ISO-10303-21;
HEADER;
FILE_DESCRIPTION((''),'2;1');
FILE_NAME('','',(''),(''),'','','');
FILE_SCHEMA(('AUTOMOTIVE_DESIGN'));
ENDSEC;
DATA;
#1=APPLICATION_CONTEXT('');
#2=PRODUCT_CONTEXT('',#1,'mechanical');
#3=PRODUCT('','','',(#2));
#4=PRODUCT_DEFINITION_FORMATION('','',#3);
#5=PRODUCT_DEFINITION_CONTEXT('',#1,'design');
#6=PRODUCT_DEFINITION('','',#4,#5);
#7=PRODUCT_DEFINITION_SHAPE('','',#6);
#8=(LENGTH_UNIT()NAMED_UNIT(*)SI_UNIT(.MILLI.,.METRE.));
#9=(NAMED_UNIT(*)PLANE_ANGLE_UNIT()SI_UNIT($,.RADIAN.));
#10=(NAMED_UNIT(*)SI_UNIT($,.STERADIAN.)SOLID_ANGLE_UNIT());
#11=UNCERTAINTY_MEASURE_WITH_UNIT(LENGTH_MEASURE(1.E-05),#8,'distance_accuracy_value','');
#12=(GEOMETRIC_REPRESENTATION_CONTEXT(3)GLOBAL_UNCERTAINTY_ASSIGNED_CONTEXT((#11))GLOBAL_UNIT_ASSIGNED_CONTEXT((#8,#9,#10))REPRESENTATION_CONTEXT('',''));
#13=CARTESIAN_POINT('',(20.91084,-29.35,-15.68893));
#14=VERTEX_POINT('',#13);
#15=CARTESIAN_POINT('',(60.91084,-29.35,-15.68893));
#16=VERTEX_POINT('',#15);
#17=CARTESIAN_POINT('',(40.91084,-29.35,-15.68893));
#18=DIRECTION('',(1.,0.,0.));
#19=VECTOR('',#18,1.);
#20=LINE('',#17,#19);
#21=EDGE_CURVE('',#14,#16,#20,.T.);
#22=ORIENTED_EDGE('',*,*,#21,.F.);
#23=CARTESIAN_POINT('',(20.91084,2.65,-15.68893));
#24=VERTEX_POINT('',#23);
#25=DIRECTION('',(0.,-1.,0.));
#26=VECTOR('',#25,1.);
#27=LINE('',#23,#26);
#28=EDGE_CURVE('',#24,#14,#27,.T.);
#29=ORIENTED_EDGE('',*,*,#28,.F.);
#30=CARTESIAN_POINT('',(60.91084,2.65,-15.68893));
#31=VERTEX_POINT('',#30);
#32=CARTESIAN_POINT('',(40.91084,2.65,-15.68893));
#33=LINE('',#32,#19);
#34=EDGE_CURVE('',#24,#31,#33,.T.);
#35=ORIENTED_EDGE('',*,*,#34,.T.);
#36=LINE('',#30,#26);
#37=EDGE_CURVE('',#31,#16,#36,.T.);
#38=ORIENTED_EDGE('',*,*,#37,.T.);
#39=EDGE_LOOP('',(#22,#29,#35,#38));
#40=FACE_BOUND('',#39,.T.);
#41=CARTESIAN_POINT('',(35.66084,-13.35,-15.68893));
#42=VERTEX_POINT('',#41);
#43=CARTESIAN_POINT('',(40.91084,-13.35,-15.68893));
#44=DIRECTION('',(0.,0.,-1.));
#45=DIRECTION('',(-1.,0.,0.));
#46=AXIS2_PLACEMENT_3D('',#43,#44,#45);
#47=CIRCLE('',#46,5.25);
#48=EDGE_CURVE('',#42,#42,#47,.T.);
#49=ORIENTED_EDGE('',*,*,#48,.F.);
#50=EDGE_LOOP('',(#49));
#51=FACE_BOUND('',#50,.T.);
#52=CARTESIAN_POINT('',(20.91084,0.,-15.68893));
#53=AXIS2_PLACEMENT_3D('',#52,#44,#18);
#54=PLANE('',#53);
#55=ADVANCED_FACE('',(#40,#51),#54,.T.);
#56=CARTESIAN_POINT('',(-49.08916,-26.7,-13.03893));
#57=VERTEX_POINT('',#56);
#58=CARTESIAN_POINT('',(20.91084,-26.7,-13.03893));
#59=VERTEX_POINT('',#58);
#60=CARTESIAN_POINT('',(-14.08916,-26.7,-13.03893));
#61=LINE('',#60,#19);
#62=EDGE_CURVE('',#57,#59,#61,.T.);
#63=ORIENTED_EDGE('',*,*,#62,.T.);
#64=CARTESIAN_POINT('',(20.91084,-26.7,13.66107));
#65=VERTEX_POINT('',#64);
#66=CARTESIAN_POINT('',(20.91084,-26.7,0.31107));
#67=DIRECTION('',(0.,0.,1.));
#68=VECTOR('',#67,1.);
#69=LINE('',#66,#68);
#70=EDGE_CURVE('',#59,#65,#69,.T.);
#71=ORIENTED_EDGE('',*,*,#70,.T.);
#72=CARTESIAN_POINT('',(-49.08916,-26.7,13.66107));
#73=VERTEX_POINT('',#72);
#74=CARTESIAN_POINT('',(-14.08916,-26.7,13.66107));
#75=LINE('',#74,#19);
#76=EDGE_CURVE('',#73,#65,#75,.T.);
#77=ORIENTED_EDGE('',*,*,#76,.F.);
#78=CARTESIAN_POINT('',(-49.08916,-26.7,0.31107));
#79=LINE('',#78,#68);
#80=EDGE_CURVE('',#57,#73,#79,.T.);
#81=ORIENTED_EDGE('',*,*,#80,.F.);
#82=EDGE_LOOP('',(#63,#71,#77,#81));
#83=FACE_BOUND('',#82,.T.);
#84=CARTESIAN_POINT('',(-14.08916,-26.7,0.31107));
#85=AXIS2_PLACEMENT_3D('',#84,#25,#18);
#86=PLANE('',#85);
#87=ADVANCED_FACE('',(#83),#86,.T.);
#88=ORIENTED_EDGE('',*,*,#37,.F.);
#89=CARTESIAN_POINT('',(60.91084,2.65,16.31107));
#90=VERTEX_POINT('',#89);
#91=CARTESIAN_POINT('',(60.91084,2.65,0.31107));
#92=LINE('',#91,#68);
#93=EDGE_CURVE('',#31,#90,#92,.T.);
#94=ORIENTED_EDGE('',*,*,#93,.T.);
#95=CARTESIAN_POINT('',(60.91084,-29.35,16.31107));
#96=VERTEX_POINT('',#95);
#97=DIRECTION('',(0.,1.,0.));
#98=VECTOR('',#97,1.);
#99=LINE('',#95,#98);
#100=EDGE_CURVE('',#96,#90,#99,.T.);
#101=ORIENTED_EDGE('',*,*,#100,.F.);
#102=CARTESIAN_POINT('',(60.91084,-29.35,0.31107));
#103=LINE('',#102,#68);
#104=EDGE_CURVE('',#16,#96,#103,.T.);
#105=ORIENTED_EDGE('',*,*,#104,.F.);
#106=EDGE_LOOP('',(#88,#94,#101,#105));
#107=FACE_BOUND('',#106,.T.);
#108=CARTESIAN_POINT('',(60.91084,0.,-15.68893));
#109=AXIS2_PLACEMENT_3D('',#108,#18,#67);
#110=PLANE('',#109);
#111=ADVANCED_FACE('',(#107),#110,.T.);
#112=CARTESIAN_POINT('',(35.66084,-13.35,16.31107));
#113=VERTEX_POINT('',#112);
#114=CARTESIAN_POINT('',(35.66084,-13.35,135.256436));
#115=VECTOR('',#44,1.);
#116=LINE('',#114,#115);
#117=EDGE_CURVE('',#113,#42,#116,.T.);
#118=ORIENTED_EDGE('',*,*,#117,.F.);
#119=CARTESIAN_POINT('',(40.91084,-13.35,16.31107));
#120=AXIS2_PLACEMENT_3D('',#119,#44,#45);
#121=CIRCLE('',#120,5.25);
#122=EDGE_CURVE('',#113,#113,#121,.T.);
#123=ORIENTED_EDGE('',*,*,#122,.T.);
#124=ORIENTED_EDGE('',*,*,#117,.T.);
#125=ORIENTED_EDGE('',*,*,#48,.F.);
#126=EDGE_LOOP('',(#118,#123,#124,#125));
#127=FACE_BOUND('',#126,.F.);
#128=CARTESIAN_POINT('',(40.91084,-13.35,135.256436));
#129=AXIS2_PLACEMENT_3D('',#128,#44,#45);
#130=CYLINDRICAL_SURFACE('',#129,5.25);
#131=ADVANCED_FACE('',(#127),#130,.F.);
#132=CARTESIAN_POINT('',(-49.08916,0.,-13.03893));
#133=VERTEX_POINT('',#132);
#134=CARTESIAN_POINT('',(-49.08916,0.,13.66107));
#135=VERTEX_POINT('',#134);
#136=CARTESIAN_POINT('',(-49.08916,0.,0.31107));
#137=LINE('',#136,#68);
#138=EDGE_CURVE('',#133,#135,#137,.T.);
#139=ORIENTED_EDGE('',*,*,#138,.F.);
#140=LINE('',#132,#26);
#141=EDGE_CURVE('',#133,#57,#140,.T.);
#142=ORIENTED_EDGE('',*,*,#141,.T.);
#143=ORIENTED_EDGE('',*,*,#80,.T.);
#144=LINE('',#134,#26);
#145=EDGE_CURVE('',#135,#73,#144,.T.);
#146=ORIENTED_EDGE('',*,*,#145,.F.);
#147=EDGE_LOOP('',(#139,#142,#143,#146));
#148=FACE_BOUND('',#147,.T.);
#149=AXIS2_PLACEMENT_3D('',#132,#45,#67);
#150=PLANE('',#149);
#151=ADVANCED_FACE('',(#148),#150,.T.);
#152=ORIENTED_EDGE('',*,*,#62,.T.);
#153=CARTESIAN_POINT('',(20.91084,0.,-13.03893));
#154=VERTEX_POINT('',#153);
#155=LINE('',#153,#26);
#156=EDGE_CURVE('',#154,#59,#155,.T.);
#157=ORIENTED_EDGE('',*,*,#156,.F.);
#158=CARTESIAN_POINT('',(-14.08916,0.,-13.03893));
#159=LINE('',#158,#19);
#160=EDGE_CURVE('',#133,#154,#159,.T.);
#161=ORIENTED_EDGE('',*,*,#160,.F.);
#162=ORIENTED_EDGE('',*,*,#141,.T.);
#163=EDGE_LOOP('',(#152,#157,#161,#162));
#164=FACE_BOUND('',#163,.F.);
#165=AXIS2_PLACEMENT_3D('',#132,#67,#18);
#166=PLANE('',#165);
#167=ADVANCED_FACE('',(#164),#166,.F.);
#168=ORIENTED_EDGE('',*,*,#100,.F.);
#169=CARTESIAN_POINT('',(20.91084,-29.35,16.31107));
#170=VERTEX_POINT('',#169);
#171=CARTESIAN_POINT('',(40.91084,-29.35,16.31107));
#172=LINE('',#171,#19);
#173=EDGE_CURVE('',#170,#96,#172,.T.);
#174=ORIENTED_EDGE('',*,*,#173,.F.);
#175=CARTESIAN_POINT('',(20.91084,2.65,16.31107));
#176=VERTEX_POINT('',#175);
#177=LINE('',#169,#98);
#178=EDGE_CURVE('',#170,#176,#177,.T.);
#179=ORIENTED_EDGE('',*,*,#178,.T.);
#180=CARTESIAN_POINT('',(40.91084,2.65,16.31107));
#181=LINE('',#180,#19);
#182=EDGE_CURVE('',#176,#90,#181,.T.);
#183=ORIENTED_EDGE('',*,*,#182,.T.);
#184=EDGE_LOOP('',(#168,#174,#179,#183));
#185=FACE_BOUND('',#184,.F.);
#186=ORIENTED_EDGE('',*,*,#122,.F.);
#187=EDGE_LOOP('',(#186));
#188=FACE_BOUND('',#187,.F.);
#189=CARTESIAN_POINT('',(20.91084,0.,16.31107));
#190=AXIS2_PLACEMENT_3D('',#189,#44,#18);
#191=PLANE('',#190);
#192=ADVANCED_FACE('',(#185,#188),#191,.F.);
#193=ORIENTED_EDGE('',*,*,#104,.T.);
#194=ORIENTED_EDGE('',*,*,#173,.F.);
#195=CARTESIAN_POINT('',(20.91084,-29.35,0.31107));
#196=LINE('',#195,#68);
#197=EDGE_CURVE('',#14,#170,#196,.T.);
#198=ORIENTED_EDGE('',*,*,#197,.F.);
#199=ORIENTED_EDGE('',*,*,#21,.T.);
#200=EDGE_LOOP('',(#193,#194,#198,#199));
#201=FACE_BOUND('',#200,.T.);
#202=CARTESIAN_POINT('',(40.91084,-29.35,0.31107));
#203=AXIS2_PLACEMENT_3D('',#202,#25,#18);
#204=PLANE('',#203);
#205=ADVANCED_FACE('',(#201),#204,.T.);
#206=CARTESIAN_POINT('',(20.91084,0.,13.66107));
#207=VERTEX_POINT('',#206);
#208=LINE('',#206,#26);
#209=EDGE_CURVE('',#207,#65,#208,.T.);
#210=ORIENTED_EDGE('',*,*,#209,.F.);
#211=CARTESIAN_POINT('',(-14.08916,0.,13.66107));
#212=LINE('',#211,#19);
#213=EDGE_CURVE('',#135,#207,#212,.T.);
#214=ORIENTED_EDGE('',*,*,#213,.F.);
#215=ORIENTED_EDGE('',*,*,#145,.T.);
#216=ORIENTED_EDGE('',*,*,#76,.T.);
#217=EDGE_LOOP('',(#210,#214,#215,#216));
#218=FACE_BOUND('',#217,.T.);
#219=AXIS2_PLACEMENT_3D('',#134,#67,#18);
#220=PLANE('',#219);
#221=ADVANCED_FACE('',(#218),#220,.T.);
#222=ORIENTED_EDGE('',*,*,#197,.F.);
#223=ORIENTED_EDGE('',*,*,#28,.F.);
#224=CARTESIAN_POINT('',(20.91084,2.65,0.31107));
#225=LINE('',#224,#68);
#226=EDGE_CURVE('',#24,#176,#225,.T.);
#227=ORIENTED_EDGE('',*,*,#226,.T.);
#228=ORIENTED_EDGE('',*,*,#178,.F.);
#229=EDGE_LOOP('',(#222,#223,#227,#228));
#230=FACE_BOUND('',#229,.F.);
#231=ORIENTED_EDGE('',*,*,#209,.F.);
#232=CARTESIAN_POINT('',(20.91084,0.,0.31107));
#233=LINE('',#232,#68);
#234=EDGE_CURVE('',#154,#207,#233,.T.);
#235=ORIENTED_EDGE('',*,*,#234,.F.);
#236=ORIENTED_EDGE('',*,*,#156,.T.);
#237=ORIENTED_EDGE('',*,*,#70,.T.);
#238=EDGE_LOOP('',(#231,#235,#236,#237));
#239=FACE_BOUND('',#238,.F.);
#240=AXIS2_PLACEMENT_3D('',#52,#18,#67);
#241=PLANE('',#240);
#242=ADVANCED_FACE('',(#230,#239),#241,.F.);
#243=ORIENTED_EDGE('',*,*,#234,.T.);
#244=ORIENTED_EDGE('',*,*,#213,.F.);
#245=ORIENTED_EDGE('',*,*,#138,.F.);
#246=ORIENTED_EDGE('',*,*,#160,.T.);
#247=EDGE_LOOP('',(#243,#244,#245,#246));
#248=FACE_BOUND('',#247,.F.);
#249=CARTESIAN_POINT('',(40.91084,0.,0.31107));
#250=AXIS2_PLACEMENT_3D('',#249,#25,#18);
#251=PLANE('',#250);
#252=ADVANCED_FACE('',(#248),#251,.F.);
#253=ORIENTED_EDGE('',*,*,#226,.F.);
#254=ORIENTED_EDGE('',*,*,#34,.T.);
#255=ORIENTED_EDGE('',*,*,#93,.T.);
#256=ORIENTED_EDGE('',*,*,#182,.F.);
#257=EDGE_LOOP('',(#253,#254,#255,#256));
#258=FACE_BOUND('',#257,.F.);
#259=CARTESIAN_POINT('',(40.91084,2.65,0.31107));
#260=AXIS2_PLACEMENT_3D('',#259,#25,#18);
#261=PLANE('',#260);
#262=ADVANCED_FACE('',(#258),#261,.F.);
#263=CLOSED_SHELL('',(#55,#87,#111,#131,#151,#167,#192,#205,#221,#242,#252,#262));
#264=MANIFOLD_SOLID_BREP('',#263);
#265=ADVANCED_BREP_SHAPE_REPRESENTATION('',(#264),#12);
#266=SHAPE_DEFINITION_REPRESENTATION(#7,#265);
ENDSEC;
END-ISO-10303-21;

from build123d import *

# Parameters (mm, degrees)
F0_W          = 70
F0_H          = 26.7
F2_DEPTH      = 26.7
F1_W          = 40
F1_H          = 32
F3_DEPTH      = 29.35
F3_DEPTH_BACK = 2.65
F5_D          = 10.5


with BuildPart() as f2:
    # F0 (on Front) → F2 (new body)
    with BuildSketch(Plane.XZ):
        with Locations((-14.08916, 0.31107)):
            Rectangle(F0_W, F0_H)
    extrude(amount=F2_DEPTH)

    # F1 (on Front) → F3 (join, two sides)
    with BuildSketch(Plane.XZ) as f3_sk:
        with Locations((40.91084, 0.31107)):
            Rectangle(F1_W, F1_H)
    extrude(amount=F3_DEPTH)
    extrude(f3_sk.sketch, amount=-F3_DEPTH_BACK)

    # F5 (through all)
    with Locations(Plane.XY.offset(16.31107)):
        with Locations((40.91084, -13.35)):
            Hole(F5_D / 2)


solid = f2.part
